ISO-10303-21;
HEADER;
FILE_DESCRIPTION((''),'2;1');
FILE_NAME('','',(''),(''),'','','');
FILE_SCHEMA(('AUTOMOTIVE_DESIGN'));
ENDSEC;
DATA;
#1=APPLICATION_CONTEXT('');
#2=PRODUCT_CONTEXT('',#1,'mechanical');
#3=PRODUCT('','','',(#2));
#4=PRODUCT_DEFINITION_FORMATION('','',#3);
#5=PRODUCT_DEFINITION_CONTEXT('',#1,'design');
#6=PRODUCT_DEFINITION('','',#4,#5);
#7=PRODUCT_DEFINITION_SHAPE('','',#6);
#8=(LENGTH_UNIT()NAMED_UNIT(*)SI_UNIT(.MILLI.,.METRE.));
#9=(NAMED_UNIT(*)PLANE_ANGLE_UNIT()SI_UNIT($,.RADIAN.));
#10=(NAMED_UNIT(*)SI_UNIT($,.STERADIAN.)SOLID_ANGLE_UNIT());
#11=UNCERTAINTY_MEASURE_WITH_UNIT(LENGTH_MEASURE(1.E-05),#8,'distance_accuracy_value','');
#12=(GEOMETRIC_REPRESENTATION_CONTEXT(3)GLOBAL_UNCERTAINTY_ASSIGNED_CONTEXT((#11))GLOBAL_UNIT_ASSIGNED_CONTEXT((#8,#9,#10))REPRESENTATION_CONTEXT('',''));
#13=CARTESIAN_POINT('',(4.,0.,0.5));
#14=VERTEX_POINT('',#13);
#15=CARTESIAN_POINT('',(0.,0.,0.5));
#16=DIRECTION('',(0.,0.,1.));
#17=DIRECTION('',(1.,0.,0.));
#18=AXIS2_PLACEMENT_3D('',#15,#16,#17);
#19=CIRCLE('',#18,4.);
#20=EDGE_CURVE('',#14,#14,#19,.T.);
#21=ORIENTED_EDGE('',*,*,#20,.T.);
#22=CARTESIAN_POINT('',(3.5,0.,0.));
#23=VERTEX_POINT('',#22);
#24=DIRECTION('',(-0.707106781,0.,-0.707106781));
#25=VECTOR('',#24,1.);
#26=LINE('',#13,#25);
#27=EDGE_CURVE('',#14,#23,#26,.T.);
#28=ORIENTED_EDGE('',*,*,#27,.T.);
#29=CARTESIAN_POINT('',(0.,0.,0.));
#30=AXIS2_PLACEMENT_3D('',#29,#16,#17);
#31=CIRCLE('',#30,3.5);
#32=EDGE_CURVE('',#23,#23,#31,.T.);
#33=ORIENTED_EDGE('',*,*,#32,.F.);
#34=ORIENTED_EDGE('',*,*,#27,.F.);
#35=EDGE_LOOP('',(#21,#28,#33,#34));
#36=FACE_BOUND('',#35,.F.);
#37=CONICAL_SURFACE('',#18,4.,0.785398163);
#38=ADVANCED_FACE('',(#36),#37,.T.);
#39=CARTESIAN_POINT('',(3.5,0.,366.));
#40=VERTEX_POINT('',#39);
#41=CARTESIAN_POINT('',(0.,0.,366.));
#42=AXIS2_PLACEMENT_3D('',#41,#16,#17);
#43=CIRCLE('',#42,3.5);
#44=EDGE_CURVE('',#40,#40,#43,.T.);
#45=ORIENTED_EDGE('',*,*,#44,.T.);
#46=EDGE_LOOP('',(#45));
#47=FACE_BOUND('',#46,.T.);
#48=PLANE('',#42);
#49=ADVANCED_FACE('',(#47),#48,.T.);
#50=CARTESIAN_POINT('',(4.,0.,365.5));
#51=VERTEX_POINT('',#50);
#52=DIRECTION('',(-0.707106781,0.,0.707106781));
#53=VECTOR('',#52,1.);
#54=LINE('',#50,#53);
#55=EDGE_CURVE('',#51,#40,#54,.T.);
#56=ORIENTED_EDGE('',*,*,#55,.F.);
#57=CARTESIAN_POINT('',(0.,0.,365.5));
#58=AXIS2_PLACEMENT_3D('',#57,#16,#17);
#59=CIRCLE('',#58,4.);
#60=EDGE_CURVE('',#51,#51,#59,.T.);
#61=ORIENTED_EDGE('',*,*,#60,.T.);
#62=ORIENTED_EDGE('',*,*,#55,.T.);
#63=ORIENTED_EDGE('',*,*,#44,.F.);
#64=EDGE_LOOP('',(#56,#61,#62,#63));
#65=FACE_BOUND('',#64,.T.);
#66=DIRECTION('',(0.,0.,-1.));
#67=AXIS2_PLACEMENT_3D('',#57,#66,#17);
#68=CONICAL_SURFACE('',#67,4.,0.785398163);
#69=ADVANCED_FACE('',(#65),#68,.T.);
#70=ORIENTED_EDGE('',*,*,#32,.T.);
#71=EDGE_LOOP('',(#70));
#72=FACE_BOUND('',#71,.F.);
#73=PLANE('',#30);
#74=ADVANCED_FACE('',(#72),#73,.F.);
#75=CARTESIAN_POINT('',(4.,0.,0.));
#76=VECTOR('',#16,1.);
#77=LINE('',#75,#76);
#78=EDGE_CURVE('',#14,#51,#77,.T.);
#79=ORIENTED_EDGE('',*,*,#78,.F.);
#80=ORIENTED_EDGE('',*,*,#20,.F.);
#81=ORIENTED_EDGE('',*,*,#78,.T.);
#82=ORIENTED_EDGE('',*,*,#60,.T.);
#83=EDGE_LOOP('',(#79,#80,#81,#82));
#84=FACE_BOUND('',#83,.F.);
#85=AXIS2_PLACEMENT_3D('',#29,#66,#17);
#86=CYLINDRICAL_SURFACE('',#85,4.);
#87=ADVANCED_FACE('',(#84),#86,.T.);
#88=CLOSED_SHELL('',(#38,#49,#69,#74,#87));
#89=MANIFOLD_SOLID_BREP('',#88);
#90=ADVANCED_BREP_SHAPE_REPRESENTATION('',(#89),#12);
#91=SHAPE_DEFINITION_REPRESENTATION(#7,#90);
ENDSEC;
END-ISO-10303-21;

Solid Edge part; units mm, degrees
sketch "Sketch1" plane through (0, 0, 0) normal (0, 0, 1) x (1, 0, 0)
  circle A0 centre (0, 0) radius 4
  dimension "D1" = 8
extrude "Protrusion1" add sketch "Sketch1" along normal blind 366
chamfer "Chamfer_1" distance 0.5 angle 45 2 edges at (-4, 0, 0) (-4, 0, 366)
cosmetic_thread "Thread1" size "Tr 8 x 2"
